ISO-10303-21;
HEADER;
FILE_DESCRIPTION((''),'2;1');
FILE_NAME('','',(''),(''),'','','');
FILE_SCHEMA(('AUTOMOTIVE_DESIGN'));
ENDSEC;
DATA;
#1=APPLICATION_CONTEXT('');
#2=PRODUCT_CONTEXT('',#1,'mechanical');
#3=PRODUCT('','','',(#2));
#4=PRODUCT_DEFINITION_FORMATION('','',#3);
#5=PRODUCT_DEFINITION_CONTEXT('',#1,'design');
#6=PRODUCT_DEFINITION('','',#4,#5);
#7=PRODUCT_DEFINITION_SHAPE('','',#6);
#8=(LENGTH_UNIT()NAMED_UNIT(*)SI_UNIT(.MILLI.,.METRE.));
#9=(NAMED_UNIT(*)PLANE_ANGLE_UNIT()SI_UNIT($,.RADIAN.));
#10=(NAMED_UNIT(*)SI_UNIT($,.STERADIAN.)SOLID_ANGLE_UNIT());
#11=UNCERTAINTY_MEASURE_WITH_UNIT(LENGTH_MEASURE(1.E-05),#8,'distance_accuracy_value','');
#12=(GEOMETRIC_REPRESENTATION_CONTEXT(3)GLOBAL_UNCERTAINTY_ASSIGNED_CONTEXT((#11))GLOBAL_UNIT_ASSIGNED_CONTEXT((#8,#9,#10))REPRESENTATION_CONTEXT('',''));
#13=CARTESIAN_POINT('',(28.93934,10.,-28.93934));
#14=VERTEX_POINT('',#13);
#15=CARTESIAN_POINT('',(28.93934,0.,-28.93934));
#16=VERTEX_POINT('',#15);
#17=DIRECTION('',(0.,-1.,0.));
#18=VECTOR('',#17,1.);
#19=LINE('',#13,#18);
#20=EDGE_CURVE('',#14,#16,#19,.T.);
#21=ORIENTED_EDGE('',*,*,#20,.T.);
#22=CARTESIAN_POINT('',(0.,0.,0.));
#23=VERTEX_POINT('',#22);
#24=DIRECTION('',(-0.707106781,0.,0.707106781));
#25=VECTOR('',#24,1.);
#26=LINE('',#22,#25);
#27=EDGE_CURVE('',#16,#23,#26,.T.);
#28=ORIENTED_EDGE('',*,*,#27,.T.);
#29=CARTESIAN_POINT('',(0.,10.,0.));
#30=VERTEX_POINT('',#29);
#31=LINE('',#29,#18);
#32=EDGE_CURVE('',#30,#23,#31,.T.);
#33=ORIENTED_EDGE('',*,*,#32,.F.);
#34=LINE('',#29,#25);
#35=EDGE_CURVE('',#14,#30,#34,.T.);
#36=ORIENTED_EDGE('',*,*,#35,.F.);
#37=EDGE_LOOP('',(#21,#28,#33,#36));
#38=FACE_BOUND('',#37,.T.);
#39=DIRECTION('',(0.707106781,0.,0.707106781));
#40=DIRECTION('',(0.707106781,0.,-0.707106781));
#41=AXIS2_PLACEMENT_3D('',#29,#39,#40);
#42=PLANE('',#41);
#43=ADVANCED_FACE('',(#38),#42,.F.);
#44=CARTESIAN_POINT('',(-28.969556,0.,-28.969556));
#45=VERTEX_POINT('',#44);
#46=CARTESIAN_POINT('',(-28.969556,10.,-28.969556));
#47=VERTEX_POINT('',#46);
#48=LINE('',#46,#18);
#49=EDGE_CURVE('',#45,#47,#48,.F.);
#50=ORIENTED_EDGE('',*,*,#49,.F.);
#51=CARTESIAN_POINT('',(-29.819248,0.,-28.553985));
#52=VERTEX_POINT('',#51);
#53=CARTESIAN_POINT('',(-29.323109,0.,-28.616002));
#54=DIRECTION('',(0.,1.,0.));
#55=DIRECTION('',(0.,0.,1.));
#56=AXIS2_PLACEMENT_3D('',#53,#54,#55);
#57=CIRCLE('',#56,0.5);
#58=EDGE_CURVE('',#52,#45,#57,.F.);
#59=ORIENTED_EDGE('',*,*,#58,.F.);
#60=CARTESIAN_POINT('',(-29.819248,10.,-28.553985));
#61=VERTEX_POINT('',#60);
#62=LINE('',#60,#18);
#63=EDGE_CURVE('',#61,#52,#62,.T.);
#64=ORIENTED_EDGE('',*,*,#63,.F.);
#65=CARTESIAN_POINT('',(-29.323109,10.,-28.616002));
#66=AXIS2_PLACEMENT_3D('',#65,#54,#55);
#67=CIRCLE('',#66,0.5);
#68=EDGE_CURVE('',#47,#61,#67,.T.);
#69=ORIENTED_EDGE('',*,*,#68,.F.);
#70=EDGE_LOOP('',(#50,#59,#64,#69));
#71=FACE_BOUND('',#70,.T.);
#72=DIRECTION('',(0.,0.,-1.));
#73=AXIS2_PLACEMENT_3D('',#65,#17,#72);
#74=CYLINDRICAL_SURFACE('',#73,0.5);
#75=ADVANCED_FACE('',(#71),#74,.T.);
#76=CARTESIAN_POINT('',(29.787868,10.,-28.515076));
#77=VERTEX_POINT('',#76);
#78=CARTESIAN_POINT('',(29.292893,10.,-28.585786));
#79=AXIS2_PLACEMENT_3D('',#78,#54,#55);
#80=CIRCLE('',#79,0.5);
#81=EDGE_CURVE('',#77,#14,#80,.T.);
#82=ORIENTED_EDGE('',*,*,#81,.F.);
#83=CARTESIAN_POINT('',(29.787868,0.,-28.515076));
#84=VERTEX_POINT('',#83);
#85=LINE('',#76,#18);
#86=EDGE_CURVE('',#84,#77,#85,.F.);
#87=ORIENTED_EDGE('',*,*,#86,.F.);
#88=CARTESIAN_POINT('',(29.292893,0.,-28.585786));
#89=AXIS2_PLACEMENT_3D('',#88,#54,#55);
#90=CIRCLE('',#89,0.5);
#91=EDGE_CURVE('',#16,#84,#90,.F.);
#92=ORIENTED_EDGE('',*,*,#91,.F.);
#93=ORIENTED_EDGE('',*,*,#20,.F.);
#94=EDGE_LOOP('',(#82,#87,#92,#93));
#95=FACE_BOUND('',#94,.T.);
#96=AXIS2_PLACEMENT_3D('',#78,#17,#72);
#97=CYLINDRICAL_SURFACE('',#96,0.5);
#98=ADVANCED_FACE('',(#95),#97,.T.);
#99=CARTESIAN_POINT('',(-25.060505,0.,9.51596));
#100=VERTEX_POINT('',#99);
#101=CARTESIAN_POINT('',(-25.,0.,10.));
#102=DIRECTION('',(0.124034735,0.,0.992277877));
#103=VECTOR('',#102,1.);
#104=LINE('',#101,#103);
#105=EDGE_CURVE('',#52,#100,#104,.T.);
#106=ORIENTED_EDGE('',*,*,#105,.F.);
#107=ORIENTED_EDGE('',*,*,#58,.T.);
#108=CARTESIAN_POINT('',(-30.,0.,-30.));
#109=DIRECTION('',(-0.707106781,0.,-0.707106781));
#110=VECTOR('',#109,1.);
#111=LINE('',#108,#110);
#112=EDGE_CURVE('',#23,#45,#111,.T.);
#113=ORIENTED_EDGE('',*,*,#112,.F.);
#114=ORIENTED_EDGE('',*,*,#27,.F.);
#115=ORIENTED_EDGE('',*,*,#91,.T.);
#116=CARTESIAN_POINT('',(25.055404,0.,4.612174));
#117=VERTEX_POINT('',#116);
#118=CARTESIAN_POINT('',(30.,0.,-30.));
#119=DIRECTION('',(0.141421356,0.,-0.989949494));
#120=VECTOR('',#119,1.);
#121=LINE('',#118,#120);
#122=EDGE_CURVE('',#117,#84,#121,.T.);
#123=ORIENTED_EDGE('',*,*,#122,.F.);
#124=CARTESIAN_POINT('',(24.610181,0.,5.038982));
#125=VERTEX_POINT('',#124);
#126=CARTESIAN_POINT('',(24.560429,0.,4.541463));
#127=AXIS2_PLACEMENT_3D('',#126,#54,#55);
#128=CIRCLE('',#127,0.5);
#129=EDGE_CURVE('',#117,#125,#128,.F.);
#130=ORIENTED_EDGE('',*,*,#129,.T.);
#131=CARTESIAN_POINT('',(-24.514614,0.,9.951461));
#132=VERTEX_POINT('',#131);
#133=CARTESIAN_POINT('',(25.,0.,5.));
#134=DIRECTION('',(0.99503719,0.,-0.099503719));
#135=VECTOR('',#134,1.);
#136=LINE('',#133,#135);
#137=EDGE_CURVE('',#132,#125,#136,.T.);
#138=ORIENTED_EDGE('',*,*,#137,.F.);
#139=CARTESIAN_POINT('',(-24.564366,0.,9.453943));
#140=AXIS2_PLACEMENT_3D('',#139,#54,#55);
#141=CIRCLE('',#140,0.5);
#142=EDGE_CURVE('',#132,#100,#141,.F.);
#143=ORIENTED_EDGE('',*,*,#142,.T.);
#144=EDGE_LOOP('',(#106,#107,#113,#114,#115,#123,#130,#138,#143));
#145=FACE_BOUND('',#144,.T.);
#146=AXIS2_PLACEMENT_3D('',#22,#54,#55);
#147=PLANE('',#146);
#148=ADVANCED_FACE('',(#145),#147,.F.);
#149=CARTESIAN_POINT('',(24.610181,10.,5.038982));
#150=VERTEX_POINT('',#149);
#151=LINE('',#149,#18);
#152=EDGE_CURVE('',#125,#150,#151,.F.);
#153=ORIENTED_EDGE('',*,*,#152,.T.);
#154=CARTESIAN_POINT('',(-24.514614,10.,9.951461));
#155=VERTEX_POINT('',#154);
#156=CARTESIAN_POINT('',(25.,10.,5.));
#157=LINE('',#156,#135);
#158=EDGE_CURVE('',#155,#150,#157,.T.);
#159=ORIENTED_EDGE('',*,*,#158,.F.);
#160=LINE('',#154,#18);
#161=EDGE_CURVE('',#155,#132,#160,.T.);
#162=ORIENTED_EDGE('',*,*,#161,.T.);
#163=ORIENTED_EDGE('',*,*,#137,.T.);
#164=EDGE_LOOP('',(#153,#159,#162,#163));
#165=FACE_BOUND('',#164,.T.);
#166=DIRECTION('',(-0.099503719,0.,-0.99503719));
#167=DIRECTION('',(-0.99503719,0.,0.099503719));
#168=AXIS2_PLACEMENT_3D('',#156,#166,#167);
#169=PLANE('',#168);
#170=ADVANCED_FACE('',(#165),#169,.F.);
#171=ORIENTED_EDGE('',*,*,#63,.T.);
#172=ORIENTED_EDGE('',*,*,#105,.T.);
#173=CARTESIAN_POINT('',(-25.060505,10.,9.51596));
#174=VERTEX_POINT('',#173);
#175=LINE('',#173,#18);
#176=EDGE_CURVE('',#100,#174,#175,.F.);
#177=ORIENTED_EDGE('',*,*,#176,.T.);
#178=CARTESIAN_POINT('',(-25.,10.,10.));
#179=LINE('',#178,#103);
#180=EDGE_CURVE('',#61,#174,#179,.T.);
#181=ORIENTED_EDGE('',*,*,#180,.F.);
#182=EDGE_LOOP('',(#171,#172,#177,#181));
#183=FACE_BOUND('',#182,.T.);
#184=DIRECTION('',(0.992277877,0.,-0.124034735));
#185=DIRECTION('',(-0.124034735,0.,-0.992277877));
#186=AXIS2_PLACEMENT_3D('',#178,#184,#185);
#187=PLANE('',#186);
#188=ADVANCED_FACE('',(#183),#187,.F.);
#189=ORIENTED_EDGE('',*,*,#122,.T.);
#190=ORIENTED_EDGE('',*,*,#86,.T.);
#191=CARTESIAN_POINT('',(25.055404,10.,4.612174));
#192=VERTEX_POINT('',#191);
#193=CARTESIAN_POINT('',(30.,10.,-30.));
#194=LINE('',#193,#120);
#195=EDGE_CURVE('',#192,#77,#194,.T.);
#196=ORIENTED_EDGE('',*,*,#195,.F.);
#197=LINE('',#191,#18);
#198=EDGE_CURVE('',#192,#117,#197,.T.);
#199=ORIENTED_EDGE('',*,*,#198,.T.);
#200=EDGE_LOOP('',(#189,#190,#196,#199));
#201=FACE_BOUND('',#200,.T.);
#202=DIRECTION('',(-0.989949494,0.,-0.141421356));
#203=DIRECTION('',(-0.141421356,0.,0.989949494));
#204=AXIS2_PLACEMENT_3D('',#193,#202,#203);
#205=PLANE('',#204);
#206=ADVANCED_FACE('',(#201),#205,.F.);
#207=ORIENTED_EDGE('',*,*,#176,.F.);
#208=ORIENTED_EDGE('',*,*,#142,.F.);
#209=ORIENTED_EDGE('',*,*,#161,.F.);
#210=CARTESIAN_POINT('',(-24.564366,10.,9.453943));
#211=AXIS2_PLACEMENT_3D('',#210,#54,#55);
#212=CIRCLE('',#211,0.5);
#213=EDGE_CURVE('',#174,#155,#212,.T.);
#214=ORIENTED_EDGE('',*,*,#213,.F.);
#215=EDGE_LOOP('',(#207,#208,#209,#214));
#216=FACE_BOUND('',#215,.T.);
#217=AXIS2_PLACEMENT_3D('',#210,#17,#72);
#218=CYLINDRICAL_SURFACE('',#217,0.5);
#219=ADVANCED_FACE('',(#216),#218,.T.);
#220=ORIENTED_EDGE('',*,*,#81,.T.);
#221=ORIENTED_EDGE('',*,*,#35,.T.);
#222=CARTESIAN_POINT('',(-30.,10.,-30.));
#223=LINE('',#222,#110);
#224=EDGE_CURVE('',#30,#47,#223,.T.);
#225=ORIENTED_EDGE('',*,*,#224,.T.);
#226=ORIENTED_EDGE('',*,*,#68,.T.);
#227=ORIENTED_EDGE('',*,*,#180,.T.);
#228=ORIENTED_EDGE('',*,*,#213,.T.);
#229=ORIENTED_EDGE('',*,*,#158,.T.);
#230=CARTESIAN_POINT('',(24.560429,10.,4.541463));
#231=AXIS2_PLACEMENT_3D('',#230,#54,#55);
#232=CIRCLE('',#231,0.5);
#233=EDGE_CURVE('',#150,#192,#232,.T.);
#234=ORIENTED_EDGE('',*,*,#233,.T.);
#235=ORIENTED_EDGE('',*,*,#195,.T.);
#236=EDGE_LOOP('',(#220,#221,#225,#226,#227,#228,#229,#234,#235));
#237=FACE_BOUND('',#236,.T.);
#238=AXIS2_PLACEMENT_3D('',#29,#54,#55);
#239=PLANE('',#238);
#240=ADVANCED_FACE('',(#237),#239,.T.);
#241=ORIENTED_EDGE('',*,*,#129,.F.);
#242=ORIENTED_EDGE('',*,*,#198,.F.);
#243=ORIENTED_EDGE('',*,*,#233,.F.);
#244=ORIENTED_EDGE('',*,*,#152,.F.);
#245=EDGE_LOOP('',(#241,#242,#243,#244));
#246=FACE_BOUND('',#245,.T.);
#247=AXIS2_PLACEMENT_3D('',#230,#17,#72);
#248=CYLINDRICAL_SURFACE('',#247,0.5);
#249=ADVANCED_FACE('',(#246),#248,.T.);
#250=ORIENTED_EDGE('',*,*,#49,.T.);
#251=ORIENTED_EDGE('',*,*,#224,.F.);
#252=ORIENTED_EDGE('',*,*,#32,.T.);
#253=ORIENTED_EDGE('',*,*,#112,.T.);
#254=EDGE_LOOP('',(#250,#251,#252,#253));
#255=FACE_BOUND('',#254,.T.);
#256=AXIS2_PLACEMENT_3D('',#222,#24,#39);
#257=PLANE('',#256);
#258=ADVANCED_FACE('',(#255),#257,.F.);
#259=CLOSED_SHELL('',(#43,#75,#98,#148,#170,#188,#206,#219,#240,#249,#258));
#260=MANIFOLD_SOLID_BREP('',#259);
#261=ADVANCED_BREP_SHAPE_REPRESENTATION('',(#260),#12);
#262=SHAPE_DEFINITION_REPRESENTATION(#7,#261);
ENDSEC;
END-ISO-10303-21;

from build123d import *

# Parameters (mm, degrees)
BOSS_EXTRUDE1_DEPTH = 10
FILLET1_R           = 0.5


with BuildPart() as part:
    # Sketch1 → Boss-Extrude1 (new body)
    with BuildSketch(Plane(origin=(0, 0, 0), x_dir=(1, 0, 0), z_dir=(0, 1, 0))):
        Polygon((0, 0), (30, 30), (25, -5), (-25, -10), (-30, 30), align=None)
    extrude(amount=BOSS_EXTRUDE1_DEPTH)

    # Fillet1
    fillet1_edges = [part.edges().sort_by_distance(p)[0] for p in [
        (30, 5, -30),
        (25, 5, 5),
        (-25, 5, 10),
        (-30, 5, -30),
    ]]
    fillet(fillet1_edges, radius=FILLET1_R)


solid = part.part
